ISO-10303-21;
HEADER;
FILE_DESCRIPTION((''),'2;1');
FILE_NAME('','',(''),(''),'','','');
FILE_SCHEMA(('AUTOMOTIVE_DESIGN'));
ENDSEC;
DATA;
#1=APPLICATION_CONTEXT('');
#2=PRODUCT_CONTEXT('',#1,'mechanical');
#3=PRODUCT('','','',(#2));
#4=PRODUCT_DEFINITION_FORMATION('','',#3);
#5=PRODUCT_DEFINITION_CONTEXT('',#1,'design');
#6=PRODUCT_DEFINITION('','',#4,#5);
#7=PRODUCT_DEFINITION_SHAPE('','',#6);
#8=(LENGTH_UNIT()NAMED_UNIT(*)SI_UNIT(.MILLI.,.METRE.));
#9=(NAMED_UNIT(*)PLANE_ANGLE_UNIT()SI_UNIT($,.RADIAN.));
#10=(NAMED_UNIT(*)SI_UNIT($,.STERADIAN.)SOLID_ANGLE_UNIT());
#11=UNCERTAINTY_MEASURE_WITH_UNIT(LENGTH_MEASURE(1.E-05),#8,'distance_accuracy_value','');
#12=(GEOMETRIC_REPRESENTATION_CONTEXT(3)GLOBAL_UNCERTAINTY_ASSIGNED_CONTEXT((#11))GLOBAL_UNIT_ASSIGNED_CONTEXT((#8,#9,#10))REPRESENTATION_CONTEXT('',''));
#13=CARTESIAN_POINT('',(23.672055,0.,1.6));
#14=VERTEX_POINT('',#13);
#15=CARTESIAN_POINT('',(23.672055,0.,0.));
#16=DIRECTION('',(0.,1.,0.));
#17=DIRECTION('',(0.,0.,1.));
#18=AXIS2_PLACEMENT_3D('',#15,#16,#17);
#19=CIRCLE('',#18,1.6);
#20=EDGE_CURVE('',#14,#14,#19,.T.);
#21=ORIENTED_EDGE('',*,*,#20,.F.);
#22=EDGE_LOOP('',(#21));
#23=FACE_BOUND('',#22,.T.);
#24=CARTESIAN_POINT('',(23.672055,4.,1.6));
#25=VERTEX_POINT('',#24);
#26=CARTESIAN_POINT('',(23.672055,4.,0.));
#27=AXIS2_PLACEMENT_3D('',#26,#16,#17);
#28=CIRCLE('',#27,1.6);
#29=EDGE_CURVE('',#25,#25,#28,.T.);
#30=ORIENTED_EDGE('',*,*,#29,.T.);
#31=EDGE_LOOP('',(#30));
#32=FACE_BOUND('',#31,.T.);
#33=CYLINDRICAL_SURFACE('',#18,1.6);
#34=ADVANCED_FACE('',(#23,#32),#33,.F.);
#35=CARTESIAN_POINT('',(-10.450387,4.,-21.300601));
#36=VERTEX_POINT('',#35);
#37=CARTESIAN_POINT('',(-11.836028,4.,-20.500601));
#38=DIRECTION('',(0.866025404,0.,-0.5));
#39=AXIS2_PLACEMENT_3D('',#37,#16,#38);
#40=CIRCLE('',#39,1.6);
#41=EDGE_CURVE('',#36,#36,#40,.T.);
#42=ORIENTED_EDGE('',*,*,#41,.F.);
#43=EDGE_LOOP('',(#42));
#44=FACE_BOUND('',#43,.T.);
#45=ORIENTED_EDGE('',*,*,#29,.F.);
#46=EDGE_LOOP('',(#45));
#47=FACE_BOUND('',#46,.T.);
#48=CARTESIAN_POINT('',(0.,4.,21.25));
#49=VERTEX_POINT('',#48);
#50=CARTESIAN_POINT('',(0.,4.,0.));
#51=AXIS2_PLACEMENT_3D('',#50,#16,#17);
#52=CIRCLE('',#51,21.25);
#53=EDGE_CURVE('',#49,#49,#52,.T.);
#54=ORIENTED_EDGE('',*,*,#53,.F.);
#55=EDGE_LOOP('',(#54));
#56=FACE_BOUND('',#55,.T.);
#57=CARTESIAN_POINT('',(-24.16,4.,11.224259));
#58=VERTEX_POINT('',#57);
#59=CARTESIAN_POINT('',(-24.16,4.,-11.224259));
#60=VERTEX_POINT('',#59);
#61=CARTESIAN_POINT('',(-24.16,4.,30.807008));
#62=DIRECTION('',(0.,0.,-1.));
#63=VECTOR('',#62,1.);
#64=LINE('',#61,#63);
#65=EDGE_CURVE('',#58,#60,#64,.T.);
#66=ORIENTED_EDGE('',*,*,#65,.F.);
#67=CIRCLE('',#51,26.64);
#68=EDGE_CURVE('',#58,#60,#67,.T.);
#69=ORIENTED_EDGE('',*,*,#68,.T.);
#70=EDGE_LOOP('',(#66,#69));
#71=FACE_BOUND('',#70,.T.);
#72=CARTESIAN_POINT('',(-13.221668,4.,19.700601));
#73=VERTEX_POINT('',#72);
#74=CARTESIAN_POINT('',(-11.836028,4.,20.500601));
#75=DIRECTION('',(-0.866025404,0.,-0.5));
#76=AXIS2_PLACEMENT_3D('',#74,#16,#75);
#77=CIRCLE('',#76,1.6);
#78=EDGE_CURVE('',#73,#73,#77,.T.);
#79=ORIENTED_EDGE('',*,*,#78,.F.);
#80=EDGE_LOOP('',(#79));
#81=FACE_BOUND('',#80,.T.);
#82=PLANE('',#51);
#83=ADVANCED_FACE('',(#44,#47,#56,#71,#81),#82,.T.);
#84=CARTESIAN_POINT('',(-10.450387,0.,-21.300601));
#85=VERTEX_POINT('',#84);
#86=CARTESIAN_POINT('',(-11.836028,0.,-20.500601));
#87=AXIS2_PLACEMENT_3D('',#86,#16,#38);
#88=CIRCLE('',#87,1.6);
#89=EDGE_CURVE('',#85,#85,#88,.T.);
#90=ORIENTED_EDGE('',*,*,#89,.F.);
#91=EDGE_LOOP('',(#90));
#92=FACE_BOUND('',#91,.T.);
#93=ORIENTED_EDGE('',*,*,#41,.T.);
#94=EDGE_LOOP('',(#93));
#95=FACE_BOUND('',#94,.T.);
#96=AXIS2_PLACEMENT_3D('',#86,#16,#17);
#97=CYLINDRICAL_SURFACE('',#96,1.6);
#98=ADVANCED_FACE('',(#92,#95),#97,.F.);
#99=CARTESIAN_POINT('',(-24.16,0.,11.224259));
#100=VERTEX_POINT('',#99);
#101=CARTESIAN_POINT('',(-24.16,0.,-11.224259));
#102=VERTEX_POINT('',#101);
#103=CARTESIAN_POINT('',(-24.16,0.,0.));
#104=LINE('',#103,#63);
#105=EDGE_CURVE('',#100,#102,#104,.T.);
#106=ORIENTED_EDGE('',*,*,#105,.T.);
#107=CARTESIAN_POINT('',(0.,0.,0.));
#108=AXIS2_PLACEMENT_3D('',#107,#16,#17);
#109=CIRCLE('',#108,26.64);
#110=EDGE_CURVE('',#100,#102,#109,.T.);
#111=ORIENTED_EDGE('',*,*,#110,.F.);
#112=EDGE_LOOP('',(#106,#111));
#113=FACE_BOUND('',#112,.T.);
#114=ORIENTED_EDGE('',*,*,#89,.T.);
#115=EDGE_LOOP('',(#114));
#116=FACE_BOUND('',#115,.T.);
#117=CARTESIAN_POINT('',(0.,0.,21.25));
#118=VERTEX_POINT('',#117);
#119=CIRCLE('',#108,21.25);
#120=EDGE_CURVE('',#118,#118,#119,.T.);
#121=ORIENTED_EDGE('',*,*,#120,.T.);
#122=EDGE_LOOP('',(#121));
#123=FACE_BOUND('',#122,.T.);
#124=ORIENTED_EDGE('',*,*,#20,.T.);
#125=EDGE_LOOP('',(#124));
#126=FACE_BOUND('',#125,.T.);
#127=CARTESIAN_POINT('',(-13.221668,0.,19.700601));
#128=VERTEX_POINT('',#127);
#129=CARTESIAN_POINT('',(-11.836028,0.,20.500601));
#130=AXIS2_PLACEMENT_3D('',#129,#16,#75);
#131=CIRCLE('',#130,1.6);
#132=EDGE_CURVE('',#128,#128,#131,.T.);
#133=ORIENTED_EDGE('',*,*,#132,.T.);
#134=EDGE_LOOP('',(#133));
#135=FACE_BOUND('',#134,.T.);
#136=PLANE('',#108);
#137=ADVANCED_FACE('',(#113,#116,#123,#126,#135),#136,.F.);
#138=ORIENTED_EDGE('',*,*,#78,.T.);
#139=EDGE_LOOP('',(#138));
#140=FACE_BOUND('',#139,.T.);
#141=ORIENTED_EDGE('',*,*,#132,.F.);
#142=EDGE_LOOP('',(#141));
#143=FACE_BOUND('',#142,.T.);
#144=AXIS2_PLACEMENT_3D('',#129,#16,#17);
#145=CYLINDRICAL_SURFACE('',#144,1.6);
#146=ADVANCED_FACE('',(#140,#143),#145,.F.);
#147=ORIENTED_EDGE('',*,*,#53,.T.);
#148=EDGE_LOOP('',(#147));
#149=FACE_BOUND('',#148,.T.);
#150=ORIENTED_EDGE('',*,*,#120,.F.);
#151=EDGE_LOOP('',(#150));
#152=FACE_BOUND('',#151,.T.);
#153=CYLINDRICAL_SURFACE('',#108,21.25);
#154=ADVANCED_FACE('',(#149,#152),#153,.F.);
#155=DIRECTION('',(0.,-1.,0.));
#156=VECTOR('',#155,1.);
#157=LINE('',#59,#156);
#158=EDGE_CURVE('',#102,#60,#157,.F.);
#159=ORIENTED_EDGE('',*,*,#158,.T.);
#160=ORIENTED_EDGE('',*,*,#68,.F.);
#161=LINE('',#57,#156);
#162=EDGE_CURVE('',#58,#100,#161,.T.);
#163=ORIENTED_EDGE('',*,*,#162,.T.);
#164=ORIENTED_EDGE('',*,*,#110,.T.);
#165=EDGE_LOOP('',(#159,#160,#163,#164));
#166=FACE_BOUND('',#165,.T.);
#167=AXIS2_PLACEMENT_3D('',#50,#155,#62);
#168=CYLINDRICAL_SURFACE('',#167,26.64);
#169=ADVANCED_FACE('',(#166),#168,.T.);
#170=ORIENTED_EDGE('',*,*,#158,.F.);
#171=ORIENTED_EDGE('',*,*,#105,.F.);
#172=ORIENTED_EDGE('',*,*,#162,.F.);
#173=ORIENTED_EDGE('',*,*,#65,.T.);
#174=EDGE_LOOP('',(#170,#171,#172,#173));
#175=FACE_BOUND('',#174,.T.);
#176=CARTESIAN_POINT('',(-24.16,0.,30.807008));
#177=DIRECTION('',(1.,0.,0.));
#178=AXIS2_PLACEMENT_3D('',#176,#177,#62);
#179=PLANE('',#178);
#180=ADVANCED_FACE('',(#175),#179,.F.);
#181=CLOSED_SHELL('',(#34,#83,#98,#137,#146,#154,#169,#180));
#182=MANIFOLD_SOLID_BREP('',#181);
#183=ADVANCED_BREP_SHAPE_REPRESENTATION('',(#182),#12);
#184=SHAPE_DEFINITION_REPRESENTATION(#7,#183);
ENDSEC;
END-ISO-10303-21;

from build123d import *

# Parameters (mm, degrees)
SKETCH_1_R               = 26.64
EXTRUDE_1_DEPTH          = 4
SKETCH_2_R               = 21.25
CUT_EXTRUDE_1_DEPTH      = 4
SKETCH_3_R               = 1.6
CUT_EXTRUDE_2_DEPTH      = 4
PATTERN_CIRCULAR_1_COUNT = 3
SKETCH_5_W               = 17.203489066
SKETCH_5_H               = 59.100654928
CUT_EXTRUDE_3_DEPTH      = 4


with BuildPart() as part:
    # 草图1 → 凸台-拉伸1 (new body)
    with BuildSketch(Plane(origin=(0, 0, 0), x_dir=(1, 0, 0), z_dir=(0, 1, 0))):
        Circle(SKETCH_1_R)
    extrude(amount=EXTRUDE_1_DEPTH)

    # 草图2 → 切除-拉伸1 (cut)
    with BuildSketch(Plane(origin=(0, 4, 0), x_dir=(1, 0, 0), z_dir=(0, 1, 0))):
        Circle(SKETCH_2_R)
    extrude(amount=-CUT_EXTRUDE_1_DEPTH, mode=Mode.SUBTRACT)

    # 草图3 → 切除-拉伸2 (cut)
    with BuildSketch(Plane(origin=(0, 4, 0), x_dir=(1, 0, 0), z_dir=(0, 1, 0))):
        with Locations((23.672055427, 0)):
            Circle(SKETCH_3_R)
    cut_extrude_2 = extrude(amount=-CUT_EXTRUDE_2_DEPTH, mode=Mode.SUBTRACT)

    # 阵列(圆周)1: 切除-拉伸2 ×3 about axis
    pattern_circular_1_axis = Axis((0, 0, 0), (0, 1, 0))
    for i in range(1, PATTERN_CIRCULAR_1_COUNT):
        add(cut_extrude_2.rotate(pattern_circular_1_axis, i * 360 / PATTERN_CIRCULAR_1_COUNT), mode=Mode.SUBTRACT)

    # 草图5 → 切除-拉伸3 (cut)
    with BuildSketch(Plane(origin=(0, 4, 0), x_dir=(1, 0, 0), z_dir=(0, 1, 0))):
        with Locations((-32.761744533, -1.256680407)):
            Rectangle(SKETCH_5_W, SKETCH_5_H)
    extrude(amount=-CUT_EXTRUDE_3_DEPTH, mode=Mode.SUBTRACT)


solid = part.part
